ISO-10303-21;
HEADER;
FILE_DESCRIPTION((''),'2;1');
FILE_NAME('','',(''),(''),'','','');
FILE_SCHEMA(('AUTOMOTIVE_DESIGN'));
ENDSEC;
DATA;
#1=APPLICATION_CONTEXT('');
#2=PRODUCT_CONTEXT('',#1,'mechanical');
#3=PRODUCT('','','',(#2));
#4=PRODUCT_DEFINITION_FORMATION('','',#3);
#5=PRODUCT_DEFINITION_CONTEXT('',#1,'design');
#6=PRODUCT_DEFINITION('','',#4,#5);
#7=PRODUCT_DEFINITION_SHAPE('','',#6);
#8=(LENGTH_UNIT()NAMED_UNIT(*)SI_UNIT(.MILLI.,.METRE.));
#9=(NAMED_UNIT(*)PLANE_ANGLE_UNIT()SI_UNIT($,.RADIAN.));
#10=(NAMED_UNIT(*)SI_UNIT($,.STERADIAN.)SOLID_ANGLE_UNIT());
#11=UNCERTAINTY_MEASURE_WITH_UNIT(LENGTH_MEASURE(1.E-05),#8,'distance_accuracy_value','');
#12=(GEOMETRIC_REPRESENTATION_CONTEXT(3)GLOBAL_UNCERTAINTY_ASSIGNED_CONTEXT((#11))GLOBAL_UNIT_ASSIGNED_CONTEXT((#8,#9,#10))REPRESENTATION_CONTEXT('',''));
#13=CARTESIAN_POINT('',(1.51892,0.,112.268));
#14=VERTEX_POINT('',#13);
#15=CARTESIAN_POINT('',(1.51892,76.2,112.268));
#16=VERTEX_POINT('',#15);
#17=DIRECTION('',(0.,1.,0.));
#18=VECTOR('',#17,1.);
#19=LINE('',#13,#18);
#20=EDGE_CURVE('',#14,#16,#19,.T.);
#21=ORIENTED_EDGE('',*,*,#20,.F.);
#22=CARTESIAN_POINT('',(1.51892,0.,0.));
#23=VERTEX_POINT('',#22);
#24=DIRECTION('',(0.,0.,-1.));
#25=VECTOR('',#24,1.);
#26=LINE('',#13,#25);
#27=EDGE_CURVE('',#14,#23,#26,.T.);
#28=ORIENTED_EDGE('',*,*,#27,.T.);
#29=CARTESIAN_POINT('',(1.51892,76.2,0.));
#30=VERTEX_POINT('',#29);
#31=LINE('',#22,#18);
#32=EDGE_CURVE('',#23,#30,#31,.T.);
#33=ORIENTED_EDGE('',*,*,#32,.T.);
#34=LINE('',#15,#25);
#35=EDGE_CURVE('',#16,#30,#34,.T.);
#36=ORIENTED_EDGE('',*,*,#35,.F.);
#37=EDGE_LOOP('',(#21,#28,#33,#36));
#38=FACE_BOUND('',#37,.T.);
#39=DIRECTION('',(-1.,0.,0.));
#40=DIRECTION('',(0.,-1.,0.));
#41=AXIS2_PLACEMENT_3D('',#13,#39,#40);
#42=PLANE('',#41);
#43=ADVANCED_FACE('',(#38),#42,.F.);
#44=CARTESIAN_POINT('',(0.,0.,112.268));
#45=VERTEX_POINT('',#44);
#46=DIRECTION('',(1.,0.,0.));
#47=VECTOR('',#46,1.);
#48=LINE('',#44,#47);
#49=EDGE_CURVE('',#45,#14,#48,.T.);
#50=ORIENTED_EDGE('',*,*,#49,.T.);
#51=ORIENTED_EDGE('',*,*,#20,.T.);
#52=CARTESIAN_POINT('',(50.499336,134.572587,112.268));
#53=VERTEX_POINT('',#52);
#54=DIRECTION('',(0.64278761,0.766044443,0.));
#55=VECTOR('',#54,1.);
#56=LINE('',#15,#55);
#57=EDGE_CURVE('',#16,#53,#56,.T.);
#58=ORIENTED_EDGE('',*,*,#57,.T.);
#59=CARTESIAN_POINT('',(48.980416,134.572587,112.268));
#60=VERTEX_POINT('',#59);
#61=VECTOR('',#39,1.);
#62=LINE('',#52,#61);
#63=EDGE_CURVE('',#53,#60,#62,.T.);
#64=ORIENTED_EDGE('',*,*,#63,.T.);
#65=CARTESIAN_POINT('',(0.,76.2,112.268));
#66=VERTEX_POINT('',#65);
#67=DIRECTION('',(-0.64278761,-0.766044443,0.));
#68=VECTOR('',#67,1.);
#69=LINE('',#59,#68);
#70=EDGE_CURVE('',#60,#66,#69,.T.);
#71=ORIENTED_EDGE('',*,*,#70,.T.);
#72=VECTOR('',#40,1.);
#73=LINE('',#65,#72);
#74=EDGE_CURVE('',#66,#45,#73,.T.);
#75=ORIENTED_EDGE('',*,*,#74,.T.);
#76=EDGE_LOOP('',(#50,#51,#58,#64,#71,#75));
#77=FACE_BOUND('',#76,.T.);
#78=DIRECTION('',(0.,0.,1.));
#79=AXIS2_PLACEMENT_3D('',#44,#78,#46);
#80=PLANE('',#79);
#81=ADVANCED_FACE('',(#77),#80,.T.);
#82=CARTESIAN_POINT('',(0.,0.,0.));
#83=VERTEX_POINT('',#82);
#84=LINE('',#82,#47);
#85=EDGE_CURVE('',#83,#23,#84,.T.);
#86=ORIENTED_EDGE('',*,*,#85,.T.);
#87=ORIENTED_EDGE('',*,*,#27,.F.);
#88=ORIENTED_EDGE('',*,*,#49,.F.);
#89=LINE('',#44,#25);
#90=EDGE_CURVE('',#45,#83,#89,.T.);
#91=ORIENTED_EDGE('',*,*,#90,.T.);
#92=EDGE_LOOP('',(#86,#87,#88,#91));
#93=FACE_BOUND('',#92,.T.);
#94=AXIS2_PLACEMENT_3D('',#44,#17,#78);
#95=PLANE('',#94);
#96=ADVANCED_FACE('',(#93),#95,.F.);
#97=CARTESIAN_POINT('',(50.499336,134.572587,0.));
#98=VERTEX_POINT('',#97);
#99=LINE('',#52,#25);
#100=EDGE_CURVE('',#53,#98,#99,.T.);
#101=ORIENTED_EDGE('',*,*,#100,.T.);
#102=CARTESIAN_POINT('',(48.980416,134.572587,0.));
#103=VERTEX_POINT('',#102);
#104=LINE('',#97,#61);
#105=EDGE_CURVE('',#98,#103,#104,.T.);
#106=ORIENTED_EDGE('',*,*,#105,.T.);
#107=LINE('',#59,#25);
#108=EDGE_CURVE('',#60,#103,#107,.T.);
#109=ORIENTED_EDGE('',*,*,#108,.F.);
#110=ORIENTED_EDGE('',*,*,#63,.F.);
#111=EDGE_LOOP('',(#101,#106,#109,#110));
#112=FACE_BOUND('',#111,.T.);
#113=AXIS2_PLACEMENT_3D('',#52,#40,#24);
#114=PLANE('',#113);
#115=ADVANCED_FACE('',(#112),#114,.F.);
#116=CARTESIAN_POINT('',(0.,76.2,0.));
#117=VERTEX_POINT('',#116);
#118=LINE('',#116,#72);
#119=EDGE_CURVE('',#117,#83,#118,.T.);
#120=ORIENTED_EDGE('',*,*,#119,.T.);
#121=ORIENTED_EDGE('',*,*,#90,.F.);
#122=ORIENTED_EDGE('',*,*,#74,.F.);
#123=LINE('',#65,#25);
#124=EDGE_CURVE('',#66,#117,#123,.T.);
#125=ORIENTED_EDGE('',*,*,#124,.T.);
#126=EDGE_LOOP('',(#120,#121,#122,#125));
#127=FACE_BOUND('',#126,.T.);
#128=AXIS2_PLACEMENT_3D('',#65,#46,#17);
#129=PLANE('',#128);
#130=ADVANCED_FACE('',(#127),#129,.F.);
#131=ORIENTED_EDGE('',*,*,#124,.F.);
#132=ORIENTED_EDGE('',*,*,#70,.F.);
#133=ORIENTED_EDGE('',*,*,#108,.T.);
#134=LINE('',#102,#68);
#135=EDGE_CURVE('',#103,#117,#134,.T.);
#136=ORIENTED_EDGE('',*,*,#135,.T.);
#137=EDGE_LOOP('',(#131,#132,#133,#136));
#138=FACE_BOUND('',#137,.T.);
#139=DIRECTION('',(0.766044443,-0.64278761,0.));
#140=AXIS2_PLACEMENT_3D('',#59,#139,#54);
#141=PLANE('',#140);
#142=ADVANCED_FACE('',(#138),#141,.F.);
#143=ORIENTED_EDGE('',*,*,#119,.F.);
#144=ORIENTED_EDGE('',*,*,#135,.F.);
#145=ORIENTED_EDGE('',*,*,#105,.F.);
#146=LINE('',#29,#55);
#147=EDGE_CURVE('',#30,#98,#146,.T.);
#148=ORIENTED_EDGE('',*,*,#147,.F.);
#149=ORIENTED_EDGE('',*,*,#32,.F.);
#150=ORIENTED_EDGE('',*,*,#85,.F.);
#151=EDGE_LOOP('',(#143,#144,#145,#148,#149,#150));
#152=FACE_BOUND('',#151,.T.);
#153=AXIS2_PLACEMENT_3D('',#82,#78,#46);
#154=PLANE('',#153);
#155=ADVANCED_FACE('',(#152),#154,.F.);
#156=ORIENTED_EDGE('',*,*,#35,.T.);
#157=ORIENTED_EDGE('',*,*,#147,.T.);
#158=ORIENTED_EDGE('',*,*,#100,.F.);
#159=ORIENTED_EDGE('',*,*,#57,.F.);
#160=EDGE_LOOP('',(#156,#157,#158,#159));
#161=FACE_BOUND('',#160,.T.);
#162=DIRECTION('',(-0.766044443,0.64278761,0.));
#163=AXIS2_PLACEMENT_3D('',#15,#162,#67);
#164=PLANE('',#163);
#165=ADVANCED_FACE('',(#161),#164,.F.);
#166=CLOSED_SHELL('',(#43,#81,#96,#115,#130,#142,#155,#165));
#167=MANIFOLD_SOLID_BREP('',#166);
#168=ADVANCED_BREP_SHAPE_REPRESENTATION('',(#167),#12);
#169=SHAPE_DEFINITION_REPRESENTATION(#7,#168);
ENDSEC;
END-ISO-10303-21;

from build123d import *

# Parameters (mm, degrees)
BOSS_EXTRUDE1_DEPTH = 112.268


with BuildPart() as part:
    # Sketch1 → Boss-Extrude1 (new body)
    with BuildSketch(Plane.XY):
        Polygon((0, 0), (1.51892, 0), (1.51892, 76.2), (50.499335858, 134.572586566), (48.980415858, 134.572586566), (0, 76.2), align=None)
    extrude(amount=BOSS_EXTRUDE1_DEPTH)


solid = part.part
